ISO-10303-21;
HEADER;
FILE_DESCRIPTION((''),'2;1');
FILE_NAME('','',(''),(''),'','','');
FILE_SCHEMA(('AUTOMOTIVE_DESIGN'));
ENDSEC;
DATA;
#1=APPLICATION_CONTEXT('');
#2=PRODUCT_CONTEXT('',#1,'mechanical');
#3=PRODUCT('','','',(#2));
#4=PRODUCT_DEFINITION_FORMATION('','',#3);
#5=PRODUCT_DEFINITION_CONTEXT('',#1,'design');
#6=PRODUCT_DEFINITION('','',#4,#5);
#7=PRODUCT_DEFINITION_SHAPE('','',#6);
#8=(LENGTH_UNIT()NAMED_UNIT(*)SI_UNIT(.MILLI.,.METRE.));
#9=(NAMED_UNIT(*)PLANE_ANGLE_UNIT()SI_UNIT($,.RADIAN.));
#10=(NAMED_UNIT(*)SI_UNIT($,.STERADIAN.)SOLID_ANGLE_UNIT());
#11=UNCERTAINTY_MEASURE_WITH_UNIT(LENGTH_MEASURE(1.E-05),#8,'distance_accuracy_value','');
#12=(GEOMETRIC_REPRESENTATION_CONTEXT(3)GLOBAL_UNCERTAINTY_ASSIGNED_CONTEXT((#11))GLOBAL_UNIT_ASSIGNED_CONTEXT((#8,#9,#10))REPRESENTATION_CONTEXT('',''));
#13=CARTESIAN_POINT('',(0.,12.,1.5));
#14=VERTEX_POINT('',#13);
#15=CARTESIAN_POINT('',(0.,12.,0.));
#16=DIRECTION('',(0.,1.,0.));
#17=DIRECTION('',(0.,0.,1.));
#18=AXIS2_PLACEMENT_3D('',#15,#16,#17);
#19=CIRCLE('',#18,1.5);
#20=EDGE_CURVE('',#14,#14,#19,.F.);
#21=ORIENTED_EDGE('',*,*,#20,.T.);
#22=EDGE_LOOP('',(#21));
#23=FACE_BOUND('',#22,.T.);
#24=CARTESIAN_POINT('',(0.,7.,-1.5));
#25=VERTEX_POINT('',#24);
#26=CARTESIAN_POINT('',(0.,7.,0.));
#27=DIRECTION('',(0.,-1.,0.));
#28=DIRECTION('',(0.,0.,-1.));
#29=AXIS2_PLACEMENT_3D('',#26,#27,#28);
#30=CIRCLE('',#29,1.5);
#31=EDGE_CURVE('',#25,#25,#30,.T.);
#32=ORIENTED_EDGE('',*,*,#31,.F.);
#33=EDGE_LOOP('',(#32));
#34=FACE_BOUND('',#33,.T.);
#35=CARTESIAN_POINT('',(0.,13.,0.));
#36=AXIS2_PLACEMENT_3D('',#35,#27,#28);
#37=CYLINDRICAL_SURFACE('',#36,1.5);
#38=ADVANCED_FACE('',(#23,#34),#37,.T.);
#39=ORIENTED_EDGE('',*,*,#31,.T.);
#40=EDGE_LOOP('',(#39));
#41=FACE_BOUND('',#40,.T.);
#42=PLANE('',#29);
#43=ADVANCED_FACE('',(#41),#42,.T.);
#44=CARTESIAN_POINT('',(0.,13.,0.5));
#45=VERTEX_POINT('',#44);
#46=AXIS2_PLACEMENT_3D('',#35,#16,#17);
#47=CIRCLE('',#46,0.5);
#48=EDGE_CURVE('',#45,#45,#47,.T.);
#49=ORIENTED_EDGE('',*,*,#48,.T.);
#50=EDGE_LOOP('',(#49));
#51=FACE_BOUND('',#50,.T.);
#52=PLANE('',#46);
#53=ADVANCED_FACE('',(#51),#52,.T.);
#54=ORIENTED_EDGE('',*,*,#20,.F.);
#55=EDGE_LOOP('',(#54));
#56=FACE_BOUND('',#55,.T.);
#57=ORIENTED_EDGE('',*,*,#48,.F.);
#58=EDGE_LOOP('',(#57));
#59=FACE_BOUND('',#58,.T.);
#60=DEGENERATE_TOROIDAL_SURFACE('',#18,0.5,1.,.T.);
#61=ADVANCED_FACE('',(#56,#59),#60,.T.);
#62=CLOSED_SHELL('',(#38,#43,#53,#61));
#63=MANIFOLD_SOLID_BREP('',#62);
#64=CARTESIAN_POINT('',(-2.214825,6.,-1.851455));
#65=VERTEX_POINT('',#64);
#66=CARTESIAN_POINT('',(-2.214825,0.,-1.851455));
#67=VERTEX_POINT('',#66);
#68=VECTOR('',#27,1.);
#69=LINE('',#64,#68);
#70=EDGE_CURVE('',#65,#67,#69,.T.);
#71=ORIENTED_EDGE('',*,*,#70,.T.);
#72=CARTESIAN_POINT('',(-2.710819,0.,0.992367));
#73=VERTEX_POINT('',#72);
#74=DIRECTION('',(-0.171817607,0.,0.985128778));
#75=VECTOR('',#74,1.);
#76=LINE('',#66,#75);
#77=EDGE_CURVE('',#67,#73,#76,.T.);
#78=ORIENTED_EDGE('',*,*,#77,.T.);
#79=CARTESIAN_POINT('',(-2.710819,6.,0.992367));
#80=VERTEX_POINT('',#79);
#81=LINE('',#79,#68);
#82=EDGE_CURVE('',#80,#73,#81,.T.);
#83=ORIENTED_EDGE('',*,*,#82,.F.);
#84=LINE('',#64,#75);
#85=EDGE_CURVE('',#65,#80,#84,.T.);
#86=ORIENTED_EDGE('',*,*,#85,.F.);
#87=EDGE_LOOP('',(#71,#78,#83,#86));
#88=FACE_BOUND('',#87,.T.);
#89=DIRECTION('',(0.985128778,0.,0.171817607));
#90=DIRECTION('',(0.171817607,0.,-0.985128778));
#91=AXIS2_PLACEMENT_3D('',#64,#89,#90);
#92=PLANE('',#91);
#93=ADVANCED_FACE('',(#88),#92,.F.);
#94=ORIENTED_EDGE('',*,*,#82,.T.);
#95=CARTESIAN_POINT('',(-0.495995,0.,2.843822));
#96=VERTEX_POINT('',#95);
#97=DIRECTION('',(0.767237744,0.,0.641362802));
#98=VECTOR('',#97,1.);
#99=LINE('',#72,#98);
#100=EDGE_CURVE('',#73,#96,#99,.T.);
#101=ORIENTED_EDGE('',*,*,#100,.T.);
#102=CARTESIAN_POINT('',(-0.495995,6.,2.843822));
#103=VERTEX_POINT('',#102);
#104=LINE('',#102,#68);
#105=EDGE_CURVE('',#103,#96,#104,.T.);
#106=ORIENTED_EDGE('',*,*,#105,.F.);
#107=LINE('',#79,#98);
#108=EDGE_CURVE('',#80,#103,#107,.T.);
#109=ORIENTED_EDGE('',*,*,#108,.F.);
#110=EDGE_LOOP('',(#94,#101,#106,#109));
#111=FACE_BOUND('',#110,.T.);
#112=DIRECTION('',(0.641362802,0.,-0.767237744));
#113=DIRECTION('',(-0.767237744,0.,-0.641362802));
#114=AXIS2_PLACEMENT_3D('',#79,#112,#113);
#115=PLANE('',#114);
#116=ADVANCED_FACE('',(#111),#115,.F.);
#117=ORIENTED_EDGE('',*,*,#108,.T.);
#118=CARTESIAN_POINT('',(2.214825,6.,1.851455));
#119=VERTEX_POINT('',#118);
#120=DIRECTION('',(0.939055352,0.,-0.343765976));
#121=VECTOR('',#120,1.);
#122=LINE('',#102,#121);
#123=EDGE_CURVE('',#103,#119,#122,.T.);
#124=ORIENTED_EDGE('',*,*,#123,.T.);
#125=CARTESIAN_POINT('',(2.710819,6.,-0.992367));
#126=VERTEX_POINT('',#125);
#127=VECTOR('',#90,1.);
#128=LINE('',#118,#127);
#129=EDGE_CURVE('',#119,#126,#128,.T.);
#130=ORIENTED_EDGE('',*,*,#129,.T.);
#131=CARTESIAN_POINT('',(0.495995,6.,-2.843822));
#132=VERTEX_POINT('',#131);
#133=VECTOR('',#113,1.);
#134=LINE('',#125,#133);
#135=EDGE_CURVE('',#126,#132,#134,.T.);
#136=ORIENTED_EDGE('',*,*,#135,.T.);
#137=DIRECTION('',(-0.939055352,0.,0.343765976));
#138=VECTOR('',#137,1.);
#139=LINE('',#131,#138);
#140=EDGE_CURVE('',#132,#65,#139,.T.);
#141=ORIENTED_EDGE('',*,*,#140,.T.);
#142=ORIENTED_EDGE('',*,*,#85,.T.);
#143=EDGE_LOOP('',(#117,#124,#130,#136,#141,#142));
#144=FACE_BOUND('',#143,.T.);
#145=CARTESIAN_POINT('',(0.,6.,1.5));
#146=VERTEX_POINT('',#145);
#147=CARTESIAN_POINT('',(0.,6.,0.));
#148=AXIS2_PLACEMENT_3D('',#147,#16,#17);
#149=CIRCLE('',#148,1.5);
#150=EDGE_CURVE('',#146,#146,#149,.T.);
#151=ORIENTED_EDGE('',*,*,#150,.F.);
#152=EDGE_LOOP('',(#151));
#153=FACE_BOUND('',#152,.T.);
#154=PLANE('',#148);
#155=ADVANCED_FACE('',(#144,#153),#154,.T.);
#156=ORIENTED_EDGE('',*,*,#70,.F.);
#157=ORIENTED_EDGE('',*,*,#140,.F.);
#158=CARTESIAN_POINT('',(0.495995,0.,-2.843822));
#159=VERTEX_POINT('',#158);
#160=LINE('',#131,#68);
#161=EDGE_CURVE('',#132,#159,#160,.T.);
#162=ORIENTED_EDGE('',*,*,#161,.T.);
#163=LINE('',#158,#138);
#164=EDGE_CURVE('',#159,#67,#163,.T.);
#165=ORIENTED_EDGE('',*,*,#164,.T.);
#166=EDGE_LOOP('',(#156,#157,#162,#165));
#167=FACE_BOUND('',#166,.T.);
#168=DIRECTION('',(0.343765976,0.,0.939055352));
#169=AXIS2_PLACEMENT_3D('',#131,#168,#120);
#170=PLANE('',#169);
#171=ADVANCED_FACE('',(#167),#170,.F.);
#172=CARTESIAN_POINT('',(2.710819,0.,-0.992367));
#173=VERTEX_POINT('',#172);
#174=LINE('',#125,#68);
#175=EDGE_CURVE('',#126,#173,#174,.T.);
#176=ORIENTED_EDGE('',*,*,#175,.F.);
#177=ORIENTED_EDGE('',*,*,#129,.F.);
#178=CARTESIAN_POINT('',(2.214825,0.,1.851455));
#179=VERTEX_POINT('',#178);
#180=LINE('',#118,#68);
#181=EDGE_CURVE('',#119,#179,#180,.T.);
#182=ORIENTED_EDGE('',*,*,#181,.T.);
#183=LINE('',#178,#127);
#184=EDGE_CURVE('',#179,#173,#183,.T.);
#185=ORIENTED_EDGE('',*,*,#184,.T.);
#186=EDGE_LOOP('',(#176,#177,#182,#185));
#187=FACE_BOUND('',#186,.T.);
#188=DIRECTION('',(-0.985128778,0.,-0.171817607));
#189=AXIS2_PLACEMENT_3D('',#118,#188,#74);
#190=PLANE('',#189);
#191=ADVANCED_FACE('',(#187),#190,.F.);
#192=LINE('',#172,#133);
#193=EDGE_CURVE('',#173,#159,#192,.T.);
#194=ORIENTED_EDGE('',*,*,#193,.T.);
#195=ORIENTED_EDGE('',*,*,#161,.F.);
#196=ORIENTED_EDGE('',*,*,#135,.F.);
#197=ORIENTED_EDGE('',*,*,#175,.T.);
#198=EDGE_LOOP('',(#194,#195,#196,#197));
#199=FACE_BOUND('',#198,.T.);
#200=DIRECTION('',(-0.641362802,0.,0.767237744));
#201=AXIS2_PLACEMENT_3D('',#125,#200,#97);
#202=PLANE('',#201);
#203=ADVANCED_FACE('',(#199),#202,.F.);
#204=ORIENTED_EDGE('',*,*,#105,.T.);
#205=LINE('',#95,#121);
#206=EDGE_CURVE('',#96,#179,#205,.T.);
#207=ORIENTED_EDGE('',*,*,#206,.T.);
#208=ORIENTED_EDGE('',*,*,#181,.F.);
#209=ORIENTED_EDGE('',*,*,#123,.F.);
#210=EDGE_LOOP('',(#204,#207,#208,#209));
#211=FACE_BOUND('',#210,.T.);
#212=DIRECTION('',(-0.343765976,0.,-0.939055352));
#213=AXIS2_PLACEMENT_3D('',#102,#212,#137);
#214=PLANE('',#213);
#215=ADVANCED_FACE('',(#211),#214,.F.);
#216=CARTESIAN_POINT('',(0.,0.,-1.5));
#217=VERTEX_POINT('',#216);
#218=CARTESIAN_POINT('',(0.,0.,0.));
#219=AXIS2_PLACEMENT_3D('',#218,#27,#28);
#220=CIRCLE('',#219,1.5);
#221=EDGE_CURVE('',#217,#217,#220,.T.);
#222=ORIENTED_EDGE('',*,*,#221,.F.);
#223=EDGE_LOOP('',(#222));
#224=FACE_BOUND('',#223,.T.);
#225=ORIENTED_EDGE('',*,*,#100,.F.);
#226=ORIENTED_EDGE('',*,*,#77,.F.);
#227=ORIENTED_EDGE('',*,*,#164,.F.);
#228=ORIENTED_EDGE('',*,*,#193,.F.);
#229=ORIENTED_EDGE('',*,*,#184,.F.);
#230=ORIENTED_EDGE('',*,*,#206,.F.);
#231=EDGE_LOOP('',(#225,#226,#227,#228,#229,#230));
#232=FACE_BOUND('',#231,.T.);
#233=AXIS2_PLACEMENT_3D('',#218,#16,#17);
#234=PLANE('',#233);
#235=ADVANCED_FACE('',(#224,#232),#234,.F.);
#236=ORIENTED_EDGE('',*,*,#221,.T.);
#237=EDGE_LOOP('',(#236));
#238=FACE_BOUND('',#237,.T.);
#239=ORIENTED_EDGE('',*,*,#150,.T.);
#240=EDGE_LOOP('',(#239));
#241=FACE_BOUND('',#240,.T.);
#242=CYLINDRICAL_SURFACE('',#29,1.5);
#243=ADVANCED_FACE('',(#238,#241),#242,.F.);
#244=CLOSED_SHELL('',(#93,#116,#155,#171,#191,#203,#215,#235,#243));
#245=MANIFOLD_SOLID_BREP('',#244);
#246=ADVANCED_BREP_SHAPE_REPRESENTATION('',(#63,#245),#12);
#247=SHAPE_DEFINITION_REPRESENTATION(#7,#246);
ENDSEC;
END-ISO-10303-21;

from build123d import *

# Parameters (mm, degrees)
BOSS_EXTRUDE1_DEPTH = 6
SKETCH2_R           = 1.5
BOSS_EXTRUDE2_DEPTH = 7
SKETCH3_R           = 1.5
CUT_EXTRUDE1_DEPTH  = 7
FILLET1_R           = 1


with BuildPart() as part:
    # Sketch1 → Boss-Extrude1 (new body)
    with BuildSketch(Plane(origin=(0, 0, 0), x_dir=(1, 0, 0), z_dir=(0, 1, 0))):
        Polygon((2.214824591, -1.851454932), (2.7108193, 0.992366895), (0.495994709, 2.843821827), (-2.214824591, 1.851454932), (-2.7108193, -0.992366895), (-0.495994709, -2.843821827), align=None)
    extrude(amount=BOSS_EXTRUDE1_DEPTH)

    # Sketch2 → Boss-Extrude2 (add)
    with BuildSketch(Plane(origin=(0, 6, 0), x_dir=(1, 0, 0), z_dir=(0, 1, 0))):
        Circle(SKETCH2_R)
    extrude(amount=BOSS_EXTRUDE2_DEPTH)

    # Sketch3 → Cut-Extrude1 (cut)
    with BuildSketch(Plane.XZ):
        Circle(SKETCH3_R)
    extrude(amount=-CUT_EXTRUDE1_DEPTH, mode=Mode.SUBTRACT)

    # Fillet1
    fillet1_edges = [part.edges().sort_by_distance(p)[0] for p in [
        (-1.5, 13, 0),
    ]]
    fillet(fillet1_edges, radius=FILLET1_R)


solid = part.part
